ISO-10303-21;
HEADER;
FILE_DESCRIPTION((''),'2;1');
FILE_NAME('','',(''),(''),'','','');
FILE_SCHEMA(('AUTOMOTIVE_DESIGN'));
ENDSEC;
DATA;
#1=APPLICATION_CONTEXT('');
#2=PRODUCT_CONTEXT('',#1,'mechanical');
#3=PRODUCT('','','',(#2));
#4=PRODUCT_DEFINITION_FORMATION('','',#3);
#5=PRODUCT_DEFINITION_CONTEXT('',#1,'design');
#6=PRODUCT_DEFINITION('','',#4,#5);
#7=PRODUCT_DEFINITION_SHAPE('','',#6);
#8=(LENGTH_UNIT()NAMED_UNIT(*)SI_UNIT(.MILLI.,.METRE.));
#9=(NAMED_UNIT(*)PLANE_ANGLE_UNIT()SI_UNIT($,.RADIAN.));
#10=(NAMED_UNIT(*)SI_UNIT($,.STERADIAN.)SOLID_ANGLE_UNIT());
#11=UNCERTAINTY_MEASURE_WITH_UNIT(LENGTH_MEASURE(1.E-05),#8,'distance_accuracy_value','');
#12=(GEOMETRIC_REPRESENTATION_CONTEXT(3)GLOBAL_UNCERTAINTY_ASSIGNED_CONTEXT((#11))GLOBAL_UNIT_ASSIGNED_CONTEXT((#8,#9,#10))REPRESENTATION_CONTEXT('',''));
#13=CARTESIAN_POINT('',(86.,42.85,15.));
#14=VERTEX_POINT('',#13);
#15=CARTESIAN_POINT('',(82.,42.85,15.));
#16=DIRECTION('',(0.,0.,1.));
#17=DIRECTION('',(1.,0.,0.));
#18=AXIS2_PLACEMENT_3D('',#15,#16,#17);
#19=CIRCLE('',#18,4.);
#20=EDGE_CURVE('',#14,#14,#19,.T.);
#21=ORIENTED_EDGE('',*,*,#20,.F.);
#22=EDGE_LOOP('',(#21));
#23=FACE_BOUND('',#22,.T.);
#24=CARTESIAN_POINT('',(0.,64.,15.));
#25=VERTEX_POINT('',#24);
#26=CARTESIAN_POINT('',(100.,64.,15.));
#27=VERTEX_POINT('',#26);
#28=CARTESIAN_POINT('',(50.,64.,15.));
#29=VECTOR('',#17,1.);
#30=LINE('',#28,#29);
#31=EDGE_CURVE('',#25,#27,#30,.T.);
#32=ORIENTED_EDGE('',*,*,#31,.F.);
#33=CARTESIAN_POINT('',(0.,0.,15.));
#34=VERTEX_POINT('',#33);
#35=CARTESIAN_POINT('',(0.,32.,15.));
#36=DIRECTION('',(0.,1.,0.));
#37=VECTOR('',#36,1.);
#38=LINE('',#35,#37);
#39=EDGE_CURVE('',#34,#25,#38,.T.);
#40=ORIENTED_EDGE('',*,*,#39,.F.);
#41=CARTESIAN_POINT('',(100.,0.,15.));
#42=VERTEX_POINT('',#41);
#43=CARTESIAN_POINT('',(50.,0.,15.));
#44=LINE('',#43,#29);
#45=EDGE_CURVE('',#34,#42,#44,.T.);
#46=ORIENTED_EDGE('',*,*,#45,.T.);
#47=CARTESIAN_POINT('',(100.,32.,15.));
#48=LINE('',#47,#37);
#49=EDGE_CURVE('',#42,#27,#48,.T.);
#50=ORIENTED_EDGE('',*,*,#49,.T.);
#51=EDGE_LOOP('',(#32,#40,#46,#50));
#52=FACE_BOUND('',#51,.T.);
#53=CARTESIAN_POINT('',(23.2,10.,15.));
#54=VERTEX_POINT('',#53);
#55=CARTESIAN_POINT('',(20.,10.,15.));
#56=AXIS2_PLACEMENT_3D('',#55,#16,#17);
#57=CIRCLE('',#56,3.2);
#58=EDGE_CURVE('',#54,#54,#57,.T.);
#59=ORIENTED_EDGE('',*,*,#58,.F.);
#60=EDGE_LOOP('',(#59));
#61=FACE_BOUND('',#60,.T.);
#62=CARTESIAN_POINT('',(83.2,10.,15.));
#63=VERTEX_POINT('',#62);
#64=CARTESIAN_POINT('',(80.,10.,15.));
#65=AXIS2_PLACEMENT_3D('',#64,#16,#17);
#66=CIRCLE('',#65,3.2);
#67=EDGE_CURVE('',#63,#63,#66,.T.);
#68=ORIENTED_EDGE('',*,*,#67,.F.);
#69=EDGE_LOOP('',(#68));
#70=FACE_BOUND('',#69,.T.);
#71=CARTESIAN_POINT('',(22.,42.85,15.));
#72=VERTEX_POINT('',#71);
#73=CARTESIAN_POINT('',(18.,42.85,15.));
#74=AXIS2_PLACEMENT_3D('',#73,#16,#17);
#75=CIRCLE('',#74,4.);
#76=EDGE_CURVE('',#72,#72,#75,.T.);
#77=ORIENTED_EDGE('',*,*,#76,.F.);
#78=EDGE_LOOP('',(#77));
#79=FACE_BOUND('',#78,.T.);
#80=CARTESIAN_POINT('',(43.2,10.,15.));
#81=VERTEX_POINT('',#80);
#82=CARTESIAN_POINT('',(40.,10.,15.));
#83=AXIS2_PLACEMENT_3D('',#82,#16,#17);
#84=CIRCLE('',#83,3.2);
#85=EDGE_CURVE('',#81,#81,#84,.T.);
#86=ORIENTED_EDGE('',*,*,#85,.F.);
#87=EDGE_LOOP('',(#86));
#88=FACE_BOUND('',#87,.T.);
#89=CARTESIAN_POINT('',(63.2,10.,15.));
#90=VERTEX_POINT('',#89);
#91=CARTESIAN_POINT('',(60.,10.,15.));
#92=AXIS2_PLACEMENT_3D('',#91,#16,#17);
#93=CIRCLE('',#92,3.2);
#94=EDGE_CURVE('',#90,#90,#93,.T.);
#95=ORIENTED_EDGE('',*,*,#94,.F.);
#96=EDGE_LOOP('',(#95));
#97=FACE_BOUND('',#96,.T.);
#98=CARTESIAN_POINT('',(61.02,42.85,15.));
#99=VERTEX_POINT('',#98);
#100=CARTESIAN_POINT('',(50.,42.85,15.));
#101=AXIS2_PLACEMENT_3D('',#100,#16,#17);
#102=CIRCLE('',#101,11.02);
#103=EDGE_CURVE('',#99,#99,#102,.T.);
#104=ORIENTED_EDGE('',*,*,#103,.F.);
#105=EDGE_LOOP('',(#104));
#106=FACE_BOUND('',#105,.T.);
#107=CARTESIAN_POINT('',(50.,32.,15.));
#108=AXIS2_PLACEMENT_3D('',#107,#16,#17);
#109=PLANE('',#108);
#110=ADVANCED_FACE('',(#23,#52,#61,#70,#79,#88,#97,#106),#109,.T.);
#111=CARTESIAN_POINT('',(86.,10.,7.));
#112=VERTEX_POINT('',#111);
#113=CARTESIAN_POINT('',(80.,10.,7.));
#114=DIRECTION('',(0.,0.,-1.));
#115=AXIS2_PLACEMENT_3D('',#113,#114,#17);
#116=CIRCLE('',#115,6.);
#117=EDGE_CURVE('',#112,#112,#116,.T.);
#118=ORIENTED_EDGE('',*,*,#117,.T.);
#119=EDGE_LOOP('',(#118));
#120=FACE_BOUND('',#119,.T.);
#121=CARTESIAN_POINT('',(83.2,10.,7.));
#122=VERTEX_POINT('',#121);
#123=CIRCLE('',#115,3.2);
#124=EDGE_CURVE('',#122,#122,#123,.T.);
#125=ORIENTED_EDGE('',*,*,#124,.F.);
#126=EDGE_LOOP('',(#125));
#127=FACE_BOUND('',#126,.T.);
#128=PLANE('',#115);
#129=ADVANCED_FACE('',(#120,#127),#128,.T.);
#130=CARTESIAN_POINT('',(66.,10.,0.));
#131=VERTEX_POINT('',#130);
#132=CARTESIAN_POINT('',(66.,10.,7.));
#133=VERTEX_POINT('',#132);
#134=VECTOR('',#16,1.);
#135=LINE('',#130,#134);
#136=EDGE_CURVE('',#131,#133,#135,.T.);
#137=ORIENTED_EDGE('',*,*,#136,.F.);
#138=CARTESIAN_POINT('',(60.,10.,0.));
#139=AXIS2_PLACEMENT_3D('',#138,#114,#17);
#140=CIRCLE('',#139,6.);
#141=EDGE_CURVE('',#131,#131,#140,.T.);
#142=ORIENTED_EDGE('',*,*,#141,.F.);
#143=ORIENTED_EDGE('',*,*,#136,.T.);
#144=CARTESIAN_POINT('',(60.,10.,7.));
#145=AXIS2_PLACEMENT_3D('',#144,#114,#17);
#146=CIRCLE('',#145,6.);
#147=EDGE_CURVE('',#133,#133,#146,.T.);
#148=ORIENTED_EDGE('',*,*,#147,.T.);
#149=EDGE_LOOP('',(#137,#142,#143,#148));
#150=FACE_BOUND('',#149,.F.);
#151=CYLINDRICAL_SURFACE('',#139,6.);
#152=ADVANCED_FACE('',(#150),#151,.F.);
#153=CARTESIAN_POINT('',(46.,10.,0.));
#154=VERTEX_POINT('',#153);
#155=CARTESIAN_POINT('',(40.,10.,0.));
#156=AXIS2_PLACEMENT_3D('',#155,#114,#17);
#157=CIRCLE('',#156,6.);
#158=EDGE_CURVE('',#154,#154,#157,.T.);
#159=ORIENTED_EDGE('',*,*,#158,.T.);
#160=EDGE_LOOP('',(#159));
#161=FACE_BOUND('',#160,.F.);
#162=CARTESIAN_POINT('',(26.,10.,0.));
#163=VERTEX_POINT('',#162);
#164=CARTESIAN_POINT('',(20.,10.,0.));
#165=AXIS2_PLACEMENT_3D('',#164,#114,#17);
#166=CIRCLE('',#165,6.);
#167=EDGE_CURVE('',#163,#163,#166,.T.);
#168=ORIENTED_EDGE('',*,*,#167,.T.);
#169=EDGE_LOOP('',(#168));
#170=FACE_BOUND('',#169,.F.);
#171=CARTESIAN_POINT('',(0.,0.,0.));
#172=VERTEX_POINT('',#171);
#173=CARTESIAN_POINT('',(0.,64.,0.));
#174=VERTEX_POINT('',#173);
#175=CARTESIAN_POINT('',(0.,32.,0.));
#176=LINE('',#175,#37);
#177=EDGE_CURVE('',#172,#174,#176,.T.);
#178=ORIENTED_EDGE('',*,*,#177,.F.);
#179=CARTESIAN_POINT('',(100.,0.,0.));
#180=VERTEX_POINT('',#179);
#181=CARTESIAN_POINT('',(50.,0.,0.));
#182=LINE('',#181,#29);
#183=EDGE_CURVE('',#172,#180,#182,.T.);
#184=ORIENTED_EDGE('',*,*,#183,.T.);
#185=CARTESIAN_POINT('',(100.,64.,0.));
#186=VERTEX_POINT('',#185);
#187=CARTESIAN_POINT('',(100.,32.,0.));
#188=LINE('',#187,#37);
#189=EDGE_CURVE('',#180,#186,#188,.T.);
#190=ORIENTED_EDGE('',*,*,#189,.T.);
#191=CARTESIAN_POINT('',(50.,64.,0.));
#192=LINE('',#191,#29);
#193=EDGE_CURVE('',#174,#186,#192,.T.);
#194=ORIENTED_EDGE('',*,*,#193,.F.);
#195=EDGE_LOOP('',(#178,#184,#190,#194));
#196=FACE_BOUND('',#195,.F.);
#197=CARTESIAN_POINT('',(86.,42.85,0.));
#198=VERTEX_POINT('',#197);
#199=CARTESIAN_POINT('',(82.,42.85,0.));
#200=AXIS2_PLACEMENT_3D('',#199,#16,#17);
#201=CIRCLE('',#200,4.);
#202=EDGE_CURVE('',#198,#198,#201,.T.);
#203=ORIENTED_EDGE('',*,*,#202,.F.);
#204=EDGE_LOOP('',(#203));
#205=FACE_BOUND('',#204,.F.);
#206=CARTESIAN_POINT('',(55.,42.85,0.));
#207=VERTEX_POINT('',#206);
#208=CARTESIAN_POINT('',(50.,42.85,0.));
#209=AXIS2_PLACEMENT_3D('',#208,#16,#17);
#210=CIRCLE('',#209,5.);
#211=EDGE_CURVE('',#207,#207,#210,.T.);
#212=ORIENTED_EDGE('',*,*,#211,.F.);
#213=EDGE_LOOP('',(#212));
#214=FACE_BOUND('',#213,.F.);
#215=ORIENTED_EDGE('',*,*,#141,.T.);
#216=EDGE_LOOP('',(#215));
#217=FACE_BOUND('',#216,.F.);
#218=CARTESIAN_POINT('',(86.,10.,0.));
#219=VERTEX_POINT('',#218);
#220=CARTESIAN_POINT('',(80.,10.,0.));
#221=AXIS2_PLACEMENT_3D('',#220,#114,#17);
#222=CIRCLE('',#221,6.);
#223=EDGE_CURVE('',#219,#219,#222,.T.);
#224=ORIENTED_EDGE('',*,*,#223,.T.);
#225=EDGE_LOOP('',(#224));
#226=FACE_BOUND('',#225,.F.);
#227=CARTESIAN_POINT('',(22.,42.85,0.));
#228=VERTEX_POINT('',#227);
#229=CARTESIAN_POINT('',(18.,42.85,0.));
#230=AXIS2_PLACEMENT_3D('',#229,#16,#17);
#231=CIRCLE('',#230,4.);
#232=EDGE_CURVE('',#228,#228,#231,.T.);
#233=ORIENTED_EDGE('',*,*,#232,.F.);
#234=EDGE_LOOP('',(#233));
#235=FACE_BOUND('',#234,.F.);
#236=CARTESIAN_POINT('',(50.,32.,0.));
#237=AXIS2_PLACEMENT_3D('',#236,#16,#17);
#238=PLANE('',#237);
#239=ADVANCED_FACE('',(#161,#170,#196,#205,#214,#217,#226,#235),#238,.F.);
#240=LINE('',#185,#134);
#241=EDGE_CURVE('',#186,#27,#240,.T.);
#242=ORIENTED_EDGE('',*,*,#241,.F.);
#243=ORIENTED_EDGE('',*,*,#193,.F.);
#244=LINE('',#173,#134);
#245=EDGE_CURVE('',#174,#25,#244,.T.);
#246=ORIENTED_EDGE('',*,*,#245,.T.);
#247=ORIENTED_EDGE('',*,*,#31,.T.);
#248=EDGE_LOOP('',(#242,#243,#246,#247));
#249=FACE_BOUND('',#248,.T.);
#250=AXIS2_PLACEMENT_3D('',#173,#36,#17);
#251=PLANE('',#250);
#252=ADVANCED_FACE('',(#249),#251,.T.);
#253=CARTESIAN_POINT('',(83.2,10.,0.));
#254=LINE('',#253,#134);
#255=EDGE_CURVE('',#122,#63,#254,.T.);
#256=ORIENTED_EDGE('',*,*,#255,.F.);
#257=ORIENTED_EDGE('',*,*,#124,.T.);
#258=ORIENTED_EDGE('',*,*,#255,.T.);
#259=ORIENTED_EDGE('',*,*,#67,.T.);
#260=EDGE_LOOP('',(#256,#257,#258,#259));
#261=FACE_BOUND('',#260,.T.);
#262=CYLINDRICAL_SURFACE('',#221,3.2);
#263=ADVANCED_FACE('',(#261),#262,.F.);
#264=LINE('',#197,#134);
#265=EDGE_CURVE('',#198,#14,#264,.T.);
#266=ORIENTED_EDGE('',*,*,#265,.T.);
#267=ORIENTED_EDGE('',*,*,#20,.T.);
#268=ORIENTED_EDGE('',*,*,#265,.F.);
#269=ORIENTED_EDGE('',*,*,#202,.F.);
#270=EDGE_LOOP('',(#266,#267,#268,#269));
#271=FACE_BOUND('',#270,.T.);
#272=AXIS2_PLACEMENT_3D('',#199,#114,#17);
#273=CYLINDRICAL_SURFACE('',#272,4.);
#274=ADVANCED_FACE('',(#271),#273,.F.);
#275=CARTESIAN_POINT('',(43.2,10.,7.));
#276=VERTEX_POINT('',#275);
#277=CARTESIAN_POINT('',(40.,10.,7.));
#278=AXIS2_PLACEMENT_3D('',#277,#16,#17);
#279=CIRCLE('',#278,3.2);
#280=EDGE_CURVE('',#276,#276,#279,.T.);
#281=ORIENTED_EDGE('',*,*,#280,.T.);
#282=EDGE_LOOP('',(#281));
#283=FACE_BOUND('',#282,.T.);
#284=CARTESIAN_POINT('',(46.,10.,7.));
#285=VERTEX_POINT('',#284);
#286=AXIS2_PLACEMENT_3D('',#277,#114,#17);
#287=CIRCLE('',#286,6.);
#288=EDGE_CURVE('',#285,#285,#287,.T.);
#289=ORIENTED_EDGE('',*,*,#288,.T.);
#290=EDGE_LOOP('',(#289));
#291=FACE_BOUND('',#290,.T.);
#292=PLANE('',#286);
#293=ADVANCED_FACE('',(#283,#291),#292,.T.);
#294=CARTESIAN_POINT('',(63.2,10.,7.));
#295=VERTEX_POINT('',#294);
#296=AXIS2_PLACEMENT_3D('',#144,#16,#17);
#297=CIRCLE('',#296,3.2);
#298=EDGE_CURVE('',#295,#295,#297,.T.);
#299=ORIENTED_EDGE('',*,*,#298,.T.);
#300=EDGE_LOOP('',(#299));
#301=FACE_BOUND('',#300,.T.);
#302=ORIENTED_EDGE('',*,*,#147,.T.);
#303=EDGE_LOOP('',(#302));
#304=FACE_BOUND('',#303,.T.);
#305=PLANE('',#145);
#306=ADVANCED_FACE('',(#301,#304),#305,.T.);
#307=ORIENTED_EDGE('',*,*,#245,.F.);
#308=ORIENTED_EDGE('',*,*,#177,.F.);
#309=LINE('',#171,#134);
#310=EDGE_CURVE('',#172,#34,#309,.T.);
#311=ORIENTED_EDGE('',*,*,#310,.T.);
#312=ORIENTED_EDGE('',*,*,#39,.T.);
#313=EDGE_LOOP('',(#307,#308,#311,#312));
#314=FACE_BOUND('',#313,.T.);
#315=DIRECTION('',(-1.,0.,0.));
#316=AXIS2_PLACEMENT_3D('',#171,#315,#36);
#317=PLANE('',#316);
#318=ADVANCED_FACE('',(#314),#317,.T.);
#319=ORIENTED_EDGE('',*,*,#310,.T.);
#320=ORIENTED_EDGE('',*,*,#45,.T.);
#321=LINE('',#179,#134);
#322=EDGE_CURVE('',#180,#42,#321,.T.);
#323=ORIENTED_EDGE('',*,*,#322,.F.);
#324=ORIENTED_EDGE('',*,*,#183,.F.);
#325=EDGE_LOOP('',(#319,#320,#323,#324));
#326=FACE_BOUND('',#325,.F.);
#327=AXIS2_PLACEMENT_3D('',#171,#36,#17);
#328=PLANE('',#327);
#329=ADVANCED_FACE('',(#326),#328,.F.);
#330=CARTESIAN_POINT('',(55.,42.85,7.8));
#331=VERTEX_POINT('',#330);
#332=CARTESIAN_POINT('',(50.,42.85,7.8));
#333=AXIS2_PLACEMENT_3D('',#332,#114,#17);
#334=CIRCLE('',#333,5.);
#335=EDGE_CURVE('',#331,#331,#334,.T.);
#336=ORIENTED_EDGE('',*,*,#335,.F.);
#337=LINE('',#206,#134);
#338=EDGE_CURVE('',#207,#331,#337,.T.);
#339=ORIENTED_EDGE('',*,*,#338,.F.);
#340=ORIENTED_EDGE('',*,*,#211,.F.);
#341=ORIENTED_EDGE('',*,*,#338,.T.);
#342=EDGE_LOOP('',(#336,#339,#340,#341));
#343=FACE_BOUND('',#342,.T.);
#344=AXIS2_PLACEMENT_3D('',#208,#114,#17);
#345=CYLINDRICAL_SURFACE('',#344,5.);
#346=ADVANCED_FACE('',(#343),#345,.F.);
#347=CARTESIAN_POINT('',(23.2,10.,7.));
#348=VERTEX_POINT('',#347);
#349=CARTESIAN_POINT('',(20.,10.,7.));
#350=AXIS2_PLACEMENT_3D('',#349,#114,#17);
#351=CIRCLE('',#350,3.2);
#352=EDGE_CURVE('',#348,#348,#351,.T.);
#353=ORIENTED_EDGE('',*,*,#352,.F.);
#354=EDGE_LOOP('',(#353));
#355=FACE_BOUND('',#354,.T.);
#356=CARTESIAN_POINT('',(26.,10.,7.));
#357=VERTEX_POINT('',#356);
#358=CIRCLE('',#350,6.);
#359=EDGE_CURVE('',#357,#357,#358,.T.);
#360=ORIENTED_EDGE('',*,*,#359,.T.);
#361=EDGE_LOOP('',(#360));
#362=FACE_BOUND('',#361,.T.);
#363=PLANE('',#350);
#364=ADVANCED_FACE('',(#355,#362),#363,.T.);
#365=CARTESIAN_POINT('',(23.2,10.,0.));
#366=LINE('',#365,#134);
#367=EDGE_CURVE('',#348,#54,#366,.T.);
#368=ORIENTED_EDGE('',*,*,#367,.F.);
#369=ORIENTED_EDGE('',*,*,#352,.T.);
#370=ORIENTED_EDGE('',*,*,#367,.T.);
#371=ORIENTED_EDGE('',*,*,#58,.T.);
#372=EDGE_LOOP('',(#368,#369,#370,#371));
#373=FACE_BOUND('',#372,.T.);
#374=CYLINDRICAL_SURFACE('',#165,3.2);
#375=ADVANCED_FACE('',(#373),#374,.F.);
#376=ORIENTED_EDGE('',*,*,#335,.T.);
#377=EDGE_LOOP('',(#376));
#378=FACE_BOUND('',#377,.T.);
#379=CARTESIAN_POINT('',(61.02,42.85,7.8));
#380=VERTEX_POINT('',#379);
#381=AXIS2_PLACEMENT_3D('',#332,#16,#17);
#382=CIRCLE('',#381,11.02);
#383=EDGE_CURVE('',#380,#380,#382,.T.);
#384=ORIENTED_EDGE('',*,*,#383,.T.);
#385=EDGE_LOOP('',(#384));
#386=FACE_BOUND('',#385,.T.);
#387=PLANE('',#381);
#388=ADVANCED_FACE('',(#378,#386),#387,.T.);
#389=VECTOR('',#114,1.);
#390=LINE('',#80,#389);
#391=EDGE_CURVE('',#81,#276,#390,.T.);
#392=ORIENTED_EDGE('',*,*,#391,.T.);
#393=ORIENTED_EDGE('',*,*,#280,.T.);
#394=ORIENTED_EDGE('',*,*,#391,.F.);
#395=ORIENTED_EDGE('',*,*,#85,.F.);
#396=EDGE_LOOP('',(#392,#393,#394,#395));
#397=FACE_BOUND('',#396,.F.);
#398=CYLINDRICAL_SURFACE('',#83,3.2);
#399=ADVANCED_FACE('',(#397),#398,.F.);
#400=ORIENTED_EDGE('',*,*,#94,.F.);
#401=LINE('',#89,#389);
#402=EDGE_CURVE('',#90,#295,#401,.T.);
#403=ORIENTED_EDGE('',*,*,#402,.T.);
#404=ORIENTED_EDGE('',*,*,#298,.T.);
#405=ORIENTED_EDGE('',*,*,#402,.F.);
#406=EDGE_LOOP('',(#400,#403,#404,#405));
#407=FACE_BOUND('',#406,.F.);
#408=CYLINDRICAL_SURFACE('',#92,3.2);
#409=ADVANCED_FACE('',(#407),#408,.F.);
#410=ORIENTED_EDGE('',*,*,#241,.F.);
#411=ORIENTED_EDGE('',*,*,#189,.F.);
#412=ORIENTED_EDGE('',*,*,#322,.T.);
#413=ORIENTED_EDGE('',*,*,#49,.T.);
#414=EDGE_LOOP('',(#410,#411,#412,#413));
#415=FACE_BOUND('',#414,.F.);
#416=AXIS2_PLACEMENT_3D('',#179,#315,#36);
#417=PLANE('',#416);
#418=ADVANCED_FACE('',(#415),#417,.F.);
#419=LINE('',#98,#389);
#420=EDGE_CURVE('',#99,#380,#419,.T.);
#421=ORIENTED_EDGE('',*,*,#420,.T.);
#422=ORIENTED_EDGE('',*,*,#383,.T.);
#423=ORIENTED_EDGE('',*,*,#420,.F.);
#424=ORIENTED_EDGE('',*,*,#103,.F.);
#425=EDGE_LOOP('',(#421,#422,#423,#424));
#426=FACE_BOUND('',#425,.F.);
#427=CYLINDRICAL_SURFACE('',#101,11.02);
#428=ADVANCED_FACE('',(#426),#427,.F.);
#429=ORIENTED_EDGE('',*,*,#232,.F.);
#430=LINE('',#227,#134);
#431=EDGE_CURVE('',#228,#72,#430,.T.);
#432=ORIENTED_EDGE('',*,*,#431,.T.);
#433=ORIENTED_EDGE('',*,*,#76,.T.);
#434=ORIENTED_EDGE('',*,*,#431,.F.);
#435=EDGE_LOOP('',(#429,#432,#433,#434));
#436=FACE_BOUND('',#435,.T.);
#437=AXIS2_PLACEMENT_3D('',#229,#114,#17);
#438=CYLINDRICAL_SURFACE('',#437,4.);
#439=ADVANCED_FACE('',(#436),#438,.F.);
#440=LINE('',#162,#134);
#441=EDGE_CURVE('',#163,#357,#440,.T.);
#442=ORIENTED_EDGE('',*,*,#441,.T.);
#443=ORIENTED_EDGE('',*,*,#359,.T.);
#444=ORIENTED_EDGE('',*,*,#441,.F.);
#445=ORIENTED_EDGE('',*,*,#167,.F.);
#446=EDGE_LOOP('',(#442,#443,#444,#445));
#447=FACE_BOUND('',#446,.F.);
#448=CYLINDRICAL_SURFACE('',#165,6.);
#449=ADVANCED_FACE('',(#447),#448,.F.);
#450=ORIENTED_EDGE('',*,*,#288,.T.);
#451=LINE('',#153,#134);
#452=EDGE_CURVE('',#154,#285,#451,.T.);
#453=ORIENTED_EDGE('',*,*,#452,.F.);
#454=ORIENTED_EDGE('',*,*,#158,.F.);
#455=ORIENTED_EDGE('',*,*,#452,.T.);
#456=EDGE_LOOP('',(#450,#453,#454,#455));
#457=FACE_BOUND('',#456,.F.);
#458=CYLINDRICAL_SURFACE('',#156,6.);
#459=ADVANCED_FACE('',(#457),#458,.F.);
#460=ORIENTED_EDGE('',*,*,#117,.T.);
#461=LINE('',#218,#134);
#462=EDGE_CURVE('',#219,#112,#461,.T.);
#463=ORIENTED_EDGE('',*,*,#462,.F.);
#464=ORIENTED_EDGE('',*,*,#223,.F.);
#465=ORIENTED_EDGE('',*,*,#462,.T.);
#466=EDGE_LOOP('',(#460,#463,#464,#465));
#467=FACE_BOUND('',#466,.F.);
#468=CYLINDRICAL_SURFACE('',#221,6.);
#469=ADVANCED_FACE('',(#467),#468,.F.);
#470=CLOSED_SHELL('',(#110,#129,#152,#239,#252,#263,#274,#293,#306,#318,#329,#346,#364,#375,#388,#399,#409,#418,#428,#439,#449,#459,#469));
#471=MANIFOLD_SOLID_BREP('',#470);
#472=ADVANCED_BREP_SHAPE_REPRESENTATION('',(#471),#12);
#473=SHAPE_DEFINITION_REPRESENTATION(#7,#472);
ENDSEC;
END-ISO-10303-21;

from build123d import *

# Parameters (mm, degrees)
SKETCH_W        = 100
SKETCH_H        = 64
SKETCH_R        = 5
SKETCH_R_2      = 3.2
SKETCH_R_3      = 4
PAD_DEPTH       = 15
SKETCH001_R     = 11.02
POCKET_DEPTH    = 7.2
SKETCH002_R     = 6
POCKET001_DEPTH = 7
SKETCH003_R     = 3.2
POCKET002_DEPTH = 15


with BuildPart() as part:
    # Sketch → Pad (new body)
    with BuildSketch(Plane.XY):
        with Locations((50, 32)):
            Rectangle(SKETCH_W, SKETCH_H)
        with Locations((50, 42.85)):
            Circle(SKETCH_R, mode=Mode.SUBTRACT)
        with Locations((20, 10)):
            Circle(SKETCH_R_2, mode=Mode.SUBTRACT)
        with Locations((80, 10)):
            Circle(SKETCH_R_2, mode=Mode.SUBTRACT)
        with Locations((82, 42.85)):
            Circle(SKETCH_R_3, mode=Mode.SUBTRACT)
        with Locations((18, 42.85)):
            Circle(SKETCH_R_3, mode=Mode.SUBTRACT)
    extrude(amount=PAD_DEPTH)

    # Sketch001 (on Face11 of Pad) → Pocket (cut)
    with BuildSketch(Plane.XY.offset(15)):
        with Locations((50, 42.85)):
            Circle(SKETCH001_R)
    extrude(amount=-POCKET_DEPTH, mode=Mode.SUBTRACT)

    # Sketch002 (on Face4 of Pocket) → Pocket001 (cut)
    with BuildSketch(Plane(origin=(0, 0, 0), x_dir=(1, 0, 0), z_dir=(0, 0, -1))):
        with Locations((20, -10)):
            Circle(SKETCH002_R)
        with Locations((80, -10)):
            Circle(SKETCH002_R)
        with Locations((40, -10)):
            Circle(SKETCH002_R)
        with Locations((60, -10)):
            Circle(SKETCH002_R)
    extrude(amount=-POCKET001_DEPTH, mode=Mode.SUBTRACT)

    # Sketch003 (on Face5 of Pocket001) → Pocket002 (cut)
    with BuildSketch(Plane.XY.offset(15)):
        with Locations((40, 10)):
            Circle(SKETCH003_R)
        with Locations((60, 10)):
            Circle(SKETCH003_R)
    extrude(amount=-POCKET002_DEPTH, mode=Mode.SUBTRACT)


solid = part.part
